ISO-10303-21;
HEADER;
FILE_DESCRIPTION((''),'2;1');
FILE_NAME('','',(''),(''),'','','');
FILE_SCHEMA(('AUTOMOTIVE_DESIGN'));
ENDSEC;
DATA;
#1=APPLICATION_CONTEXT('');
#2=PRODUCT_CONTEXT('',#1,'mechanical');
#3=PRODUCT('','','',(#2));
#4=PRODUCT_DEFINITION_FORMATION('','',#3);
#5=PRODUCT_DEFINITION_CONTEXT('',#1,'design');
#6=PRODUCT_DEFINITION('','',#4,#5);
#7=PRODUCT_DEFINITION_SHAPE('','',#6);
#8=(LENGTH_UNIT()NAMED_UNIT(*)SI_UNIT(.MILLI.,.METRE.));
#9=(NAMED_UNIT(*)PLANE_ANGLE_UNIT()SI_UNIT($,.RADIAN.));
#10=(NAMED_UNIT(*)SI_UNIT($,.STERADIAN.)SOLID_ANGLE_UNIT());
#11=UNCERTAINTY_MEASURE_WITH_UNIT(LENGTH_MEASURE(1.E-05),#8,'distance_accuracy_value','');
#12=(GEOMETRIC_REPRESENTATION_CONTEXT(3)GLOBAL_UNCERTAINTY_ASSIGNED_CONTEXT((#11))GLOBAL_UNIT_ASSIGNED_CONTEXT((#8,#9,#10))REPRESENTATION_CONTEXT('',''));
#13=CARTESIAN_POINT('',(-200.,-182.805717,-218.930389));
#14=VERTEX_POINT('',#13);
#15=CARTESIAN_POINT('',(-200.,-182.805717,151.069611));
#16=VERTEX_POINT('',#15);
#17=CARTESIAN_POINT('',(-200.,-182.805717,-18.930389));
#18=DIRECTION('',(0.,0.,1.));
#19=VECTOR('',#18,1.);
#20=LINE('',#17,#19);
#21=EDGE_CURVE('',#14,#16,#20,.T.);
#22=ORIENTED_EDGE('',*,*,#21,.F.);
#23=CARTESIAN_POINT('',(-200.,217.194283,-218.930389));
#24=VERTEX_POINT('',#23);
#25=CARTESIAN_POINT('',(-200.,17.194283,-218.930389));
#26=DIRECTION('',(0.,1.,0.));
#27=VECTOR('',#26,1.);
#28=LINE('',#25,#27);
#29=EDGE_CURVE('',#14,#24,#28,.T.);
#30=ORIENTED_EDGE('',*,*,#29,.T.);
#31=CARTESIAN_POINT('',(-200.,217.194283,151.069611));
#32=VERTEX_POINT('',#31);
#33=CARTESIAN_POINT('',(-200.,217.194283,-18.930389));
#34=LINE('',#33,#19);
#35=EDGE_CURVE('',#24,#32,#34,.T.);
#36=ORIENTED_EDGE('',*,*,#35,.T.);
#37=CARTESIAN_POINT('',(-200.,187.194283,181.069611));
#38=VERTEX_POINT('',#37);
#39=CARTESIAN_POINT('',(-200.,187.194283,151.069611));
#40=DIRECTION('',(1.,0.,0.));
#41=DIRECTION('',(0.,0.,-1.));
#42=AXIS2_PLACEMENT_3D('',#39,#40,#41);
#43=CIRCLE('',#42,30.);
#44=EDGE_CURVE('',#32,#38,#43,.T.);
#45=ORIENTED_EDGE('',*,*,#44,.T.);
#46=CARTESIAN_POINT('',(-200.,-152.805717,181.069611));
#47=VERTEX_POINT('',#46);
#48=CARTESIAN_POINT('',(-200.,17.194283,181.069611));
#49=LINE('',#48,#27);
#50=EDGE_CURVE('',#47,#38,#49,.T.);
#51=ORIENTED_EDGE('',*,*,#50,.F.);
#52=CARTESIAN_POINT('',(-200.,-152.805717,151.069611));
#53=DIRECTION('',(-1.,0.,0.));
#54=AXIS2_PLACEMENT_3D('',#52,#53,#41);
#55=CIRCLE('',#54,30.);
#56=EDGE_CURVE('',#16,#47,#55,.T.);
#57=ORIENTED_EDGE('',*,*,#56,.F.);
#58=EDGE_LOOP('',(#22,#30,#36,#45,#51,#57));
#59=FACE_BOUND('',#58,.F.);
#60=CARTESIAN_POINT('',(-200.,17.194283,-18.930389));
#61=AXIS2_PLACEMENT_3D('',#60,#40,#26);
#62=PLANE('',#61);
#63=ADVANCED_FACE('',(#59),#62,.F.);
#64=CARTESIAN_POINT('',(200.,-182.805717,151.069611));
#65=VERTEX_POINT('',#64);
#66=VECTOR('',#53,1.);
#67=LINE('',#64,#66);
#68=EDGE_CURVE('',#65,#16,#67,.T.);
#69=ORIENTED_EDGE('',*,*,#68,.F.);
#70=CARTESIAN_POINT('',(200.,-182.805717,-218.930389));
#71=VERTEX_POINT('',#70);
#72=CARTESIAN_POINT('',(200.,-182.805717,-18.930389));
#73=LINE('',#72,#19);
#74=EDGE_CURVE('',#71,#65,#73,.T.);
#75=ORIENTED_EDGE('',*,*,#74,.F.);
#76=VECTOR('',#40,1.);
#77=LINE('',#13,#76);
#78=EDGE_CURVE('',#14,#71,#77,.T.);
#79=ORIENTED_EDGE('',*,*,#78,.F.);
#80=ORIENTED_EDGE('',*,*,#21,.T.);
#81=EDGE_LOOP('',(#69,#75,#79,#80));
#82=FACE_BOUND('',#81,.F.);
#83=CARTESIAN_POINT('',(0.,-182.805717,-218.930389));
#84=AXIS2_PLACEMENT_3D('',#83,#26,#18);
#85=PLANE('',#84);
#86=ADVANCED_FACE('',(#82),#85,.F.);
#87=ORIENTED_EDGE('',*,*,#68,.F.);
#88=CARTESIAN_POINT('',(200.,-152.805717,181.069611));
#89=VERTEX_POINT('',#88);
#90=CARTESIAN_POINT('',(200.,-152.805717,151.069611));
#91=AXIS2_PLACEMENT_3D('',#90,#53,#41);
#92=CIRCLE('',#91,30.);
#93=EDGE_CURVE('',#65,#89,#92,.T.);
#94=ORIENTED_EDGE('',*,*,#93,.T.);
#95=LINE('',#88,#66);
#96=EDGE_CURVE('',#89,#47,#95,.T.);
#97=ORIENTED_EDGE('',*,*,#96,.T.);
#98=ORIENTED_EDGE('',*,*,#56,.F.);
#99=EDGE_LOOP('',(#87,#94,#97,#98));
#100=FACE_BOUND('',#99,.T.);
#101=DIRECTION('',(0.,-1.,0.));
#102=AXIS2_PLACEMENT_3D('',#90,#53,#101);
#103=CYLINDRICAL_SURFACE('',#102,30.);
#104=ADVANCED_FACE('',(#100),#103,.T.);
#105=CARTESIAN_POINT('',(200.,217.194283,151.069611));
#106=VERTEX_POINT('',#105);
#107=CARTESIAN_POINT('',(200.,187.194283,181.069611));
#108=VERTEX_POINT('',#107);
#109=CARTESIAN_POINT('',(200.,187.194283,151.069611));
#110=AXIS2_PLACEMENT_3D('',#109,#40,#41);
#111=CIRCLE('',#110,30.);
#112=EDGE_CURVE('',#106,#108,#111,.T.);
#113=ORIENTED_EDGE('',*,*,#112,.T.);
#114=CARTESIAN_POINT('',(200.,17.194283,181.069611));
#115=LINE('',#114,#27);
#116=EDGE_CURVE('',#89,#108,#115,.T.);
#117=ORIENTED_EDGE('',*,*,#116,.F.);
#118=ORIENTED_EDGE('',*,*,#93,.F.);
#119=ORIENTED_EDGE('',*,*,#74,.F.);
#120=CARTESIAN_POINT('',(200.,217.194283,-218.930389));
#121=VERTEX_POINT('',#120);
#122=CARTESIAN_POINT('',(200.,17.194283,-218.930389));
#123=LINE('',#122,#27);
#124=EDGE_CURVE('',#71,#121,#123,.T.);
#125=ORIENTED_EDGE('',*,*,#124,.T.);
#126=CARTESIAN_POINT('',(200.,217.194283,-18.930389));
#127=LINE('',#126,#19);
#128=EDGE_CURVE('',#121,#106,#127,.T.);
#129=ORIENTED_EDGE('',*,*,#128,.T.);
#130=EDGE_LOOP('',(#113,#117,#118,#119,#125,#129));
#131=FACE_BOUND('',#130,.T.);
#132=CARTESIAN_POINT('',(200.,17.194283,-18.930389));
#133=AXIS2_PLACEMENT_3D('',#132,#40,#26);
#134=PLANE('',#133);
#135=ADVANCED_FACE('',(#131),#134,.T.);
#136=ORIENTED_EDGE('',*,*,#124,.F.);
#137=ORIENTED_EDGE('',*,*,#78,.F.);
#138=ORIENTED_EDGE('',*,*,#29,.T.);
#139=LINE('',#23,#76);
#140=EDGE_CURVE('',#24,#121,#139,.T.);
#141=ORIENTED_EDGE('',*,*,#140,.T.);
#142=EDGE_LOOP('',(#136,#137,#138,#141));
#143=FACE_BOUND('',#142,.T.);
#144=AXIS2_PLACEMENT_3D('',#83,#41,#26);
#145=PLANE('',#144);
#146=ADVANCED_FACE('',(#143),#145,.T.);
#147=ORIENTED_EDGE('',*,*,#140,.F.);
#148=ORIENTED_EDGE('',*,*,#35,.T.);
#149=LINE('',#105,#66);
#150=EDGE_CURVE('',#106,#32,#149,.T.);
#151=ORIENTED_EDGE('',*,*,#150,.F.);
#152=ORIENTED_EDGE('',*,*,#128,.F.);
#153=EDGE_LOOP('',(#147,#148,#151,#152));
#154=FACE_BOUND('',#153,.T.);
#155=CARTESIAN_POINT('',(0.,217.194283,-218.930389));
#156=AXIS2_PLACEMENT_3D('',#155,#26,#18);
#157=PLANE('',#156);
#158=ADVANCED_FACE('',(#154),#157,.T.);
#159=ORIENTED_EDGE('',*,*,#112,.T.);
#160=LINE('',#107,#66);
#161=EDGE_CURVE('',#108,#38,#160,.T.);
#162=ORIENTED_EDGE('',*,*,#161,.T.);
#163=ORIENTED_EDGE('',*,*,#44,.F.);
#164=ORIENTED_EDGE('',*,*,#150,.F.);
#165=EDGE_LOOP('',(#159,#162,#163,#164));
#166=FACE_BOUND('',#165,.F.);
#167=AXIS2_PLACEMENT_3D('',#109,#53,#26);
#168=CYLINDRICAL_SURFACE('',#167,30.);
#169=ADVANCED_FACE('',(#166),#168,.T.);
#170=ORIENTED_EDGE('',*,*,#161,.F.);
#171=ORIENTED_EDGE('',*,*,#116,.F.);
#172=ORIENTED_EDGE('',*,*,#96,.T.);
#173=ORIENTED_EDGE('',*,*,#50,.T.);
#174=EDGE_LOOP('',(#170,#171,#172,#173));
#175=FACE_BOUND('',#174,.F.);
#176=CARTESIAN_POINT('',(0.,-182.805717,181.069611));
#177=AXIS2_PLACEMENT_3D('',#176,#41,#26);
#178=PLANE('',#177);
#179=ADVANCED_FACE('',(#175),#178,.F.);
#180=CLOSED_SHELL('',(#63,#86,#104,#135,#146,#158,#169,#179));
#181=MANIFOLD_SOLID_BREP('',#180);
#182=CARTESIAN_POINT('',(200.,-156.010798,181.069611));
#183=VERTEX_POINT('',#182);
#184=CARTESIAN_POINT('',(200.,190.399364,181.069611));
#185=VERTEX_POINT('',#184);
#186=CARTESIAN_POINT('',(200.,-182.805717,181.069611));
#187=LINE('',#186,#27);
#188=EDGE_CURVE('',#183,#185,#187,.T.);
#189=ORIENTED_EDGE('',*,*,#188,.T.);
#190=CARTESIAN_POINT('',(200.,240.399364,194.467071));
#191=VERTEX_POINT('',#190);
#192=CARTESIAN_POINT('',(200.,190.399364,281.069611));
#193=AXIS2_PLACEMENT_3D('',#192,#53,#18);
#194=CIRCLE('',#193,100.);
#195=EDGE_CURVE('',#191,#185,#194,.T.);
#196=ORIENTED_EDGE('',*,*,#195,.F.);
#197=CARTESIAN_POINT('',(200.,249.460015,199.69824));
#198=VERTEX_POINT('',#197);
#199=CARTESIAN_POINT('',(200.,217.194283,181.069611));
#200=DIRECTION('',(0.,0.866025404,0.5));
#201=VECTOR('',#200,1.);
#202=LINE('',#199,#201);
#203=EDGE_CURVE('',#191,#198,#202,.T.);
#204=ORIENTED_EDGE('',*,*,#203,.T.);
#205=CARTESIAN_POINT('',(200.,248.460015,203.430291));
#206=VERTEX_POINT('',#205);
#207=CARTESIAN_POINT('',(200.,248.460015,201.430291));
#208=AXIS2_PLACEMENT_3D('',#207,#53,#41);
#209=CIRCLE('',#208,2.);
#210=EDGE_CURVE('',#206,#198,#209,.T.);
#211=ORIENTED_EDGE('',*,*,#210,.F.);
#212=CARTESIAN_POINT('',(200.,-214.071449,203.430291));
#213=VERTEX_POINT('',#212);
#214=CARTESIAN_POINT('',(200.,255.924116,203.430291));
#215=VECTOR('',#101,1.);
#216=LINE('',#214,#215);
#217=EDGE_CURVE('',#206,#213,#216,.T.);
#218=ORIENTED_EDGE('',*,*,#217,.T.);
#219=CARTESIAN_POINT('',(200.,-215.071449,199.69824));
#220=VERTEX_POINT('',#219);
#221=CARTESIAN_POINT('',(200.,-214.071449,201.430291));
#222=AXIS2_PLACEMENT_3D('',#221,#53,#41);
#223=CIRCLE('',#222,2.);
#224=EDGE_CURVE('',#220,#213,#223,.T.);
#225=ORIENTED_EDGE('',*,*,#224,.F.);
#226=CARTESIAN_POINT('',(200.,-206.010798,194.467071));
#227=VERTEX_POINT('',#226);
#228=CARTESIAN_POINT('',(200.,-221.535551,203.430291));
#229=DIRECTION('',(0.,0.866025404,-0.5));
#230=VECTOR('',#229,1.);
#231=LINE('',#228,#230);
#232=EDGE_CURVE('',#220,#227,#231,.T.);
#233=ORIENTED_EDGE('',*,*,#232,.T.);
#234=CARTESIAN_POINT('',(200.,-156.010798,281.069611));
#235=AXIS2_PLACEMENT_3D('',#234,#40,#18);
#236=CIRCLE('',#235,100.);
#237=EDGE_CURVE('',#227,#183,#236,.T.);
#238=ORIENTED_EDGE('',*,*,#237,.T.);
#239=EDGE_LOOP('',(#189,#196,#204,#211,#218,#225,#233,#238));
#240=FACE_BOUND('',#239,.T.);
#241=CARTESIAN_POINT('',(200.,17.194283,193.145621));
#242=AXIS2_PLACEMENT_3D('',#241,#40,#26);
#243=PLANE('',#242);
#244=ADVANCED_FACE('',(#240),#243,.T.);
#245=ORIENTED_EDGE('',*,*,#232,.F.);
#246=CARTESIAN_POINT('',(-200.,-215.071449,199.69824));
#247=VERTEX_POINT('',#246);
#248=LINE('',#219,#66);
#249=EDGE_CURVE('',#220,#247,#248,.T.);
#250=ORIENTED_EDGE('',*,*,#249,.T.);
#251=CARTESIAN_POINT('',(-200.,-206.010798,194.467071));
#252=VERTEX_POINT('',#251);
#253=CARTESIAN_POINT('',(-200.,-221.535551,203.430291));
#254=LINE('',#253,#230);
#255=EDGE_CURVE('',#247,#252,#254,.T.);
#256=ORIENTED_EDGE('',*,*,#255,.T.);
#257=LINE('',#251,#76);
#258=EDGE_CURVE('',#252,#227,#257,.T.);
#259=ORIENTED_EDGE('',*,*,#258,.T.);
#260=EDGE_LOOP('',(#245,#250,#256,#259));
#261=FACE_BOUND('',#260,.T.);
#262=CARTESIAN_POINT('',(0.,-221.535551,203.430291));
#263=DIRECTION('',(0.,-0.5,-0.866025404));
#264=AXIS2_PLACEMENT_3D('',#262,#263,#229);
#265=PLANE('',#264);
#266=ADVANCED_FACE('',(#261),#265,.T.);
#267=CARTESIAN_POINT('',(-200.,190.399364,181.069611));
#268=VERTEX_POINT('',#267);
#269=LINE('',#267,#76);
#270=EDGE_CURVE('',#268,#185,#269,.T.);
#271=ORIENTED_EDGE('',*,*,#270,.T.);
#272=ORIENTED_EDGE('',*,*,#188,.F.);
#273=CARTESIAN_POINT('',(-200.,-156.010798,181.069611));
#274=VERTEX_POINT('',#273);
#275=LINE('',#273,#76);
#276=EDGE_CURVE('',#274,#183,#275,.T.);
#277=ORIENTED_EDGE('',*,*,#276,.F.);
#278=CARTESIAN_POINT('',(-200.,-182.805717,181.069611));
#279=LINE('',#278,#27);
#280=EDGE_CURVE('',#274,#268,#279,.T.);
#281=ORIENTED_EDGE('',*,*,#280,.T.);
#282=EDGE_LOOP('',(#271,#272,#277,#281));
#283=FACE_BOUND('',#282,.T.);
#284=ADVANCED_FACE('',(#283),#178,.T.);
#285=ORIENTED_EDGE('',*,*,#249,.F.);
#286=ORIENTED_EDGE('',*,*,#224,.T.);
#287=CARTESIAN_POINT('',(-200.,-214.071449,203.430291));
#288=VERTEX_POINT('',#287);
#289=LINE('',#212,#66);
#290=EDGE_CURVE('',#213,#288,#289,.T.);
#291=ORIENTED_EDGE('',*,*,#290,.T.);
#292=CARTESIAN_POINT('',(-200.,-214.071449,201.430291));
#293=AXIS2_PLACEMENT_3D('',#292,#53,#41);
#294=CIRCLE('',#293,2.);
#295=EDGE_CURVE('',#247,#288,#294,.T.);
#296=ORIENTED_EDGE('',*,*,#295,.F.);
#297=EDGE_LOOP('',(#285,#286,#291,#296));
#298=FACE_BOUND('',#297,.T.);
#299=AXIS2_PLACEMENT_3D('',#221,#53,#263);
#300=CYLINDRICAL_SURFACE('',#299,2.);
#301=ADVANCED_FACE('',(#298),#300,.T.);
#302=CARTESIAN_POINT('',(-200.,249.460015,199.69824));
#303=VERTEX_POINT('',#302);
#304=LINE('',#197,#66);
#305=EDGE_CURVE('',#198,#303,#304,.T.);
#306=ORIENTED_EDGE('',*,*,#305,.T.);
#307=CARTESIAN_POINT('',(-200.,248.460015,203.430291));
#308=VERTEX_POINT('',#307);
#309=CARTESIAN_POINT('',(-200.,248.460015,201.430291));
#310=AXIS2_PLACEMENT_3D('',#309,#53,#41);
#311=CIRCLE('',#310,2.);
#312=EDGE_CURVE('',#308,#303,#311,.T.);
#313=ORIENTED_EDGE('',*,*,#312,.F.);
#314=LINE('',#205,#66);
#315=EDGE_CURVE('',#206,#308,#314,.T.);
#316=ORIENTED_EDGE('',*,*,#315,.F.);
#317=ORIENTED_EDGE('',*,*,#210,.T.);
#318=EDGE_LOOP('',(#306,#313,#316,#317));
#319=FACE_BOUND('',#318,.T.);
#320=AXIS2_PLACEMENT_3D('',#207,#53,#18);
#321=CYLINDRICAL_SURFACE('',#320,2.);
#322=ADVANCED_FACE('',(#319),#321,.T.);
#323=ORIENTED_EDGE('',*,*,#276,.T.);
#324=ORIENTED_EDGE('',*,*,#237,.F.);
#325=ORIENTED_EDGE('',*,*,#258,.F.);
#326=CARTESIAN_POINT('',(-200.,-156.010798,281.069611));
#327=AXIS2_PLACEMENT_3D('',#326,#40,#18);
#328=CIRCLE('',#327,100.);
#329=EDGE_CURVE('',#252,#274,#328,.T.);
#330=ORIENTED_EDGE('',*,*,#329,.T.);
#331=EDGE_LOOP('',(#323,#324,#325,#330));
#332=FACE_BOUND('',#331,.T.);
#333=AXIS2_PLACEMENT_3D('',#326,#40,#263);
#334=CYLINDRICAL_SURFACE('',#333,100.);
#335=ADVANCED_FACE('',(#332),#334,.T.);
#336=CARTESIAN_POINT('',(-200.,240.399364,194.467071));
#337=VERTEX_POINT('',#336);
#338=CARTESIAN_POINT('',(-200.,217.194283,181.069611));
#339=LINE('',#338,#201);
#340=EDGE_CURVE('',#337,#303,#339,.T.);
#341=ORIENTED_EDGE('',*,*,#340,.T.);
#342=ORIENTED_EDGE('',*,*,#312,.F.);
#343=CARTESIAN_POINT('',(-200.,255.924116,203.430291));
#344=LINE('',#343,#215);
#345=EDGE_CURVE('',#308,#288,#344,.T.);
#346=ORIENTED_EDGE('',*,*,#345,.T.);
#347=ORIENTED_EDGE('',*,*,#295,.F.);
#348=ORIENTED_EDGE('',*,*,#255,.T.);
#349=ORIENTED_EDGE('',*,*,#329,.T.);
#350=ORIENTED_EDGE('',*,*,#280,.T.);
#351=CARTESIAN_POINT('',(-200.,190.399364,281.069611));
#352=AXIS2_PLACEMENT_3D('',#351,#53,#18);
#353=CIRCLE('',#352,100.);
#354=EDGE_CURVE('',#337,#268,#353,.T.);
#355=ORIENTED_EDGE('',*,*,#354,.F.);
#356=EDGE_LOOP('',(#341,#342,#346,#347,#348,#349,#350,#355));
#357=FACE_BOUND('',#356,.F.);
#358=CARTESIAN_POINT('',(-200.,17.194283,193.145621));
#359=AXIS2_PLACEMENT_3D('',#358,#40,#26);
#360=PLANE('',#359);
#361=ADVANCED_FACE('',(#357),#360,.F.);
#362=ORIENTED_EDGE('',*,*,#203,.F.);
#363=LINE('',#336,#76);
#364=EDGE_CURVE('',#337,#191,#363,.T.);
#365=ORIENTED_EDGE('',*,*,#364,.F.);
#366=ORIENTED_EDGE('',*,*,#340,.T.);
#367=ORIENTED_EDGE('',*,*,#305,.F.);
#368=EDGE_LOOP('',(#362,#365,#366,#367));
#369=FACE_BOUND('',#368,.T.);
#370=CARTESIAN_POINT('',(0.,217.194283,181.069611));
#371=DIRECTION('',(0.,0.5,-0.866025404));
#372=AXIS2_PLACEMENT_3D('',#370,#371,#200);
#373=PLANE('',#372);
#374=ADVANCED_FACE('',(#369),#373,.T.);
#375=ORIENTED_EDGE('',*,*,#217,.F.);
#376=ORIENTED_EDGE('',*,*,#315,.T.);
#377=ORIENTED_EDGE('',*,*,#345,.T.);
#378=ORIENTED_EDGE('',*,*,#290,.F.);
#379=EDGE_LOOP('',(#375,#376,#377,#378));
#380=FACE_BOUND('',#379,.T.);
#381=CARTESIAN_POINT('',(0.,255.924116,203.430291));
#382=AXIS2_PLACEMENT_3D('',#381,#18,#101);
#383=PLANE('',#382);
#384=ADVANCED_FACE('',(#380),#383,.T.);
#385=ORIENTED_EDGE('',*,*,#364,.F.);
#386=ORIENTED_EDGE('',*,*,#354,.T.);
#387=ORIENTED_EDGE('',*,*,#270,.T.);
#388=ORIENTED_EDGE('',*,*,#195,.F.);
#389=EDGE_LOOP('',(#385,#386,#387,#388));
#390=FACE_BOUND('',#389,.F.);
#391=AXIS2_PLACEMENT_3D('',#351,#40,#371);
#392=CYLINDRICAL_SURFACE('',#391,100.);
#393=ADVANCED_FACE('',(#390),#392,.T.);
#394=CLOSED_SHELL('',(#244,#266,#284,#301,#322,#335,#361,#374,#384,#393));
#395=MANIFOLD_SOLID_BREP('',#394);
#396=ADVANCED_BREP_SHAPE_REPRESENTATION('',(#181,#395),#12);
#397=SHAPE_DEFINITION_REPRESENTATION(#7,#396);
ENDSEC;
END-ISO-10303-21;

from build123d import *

# Parameters (mm, degrees)
F0_W     = 400
F0_H     = 400
F1_DEPTH = 200
F2_DEPTH = 200
F3_R     = 30
F4_R     = 100
F5_R     = 2


with BuildPart() as f1:
    # F0 (on Right) → F1 (new body, symmetric)
    with BuildSketch(Plane.YZ):
        with Locations((17.194282782, -18.9303885745)):
            Rectangle(F0_W, F0_H)
    extrude(amount=F1_DEPTH, both=True)

    # F3
    f3_edges = [f1.edges().sort_by_distance(p)[0] for p in [
        (0, -182.805717, 181.069611),
        (0, 217.194283, 181.069611),
    ]]
    fillet(f3_edges, radius=F3_R)


with BuildPart() as f2:
    # F0 (on Right) → F2 (new body, symmetric)
    with BuildSketch(Plane.YZ):
        Polygon((-221.5355506801, 203.4302912005), (-182.805717218, 181.0696114255), (217.194282782, 181.0696114255), (255.9241162441, 203.4302912005), align=None)
    extrude(amount=F2_DEPTH, both=True)

    # F4
    f4_edges = [f2.edges().sort_by_distance(p)[0] for p in [
        (0, 217.194283, 181.069611),
        (0, -182.805717, 181.069611),
    ]]
    fillet(f4_edges, radius=F4_R)

    # F5
    f5_edges = [f2.edges().sort_by_distance(p)[0] for p in [
        (0, 255.924116, 203.430291),
        (0, -221.535551, 203.430291),
    ]]
    fillet(f5_edges, radius=F5_R)


solid = Compound([f1.part, f2.part])
